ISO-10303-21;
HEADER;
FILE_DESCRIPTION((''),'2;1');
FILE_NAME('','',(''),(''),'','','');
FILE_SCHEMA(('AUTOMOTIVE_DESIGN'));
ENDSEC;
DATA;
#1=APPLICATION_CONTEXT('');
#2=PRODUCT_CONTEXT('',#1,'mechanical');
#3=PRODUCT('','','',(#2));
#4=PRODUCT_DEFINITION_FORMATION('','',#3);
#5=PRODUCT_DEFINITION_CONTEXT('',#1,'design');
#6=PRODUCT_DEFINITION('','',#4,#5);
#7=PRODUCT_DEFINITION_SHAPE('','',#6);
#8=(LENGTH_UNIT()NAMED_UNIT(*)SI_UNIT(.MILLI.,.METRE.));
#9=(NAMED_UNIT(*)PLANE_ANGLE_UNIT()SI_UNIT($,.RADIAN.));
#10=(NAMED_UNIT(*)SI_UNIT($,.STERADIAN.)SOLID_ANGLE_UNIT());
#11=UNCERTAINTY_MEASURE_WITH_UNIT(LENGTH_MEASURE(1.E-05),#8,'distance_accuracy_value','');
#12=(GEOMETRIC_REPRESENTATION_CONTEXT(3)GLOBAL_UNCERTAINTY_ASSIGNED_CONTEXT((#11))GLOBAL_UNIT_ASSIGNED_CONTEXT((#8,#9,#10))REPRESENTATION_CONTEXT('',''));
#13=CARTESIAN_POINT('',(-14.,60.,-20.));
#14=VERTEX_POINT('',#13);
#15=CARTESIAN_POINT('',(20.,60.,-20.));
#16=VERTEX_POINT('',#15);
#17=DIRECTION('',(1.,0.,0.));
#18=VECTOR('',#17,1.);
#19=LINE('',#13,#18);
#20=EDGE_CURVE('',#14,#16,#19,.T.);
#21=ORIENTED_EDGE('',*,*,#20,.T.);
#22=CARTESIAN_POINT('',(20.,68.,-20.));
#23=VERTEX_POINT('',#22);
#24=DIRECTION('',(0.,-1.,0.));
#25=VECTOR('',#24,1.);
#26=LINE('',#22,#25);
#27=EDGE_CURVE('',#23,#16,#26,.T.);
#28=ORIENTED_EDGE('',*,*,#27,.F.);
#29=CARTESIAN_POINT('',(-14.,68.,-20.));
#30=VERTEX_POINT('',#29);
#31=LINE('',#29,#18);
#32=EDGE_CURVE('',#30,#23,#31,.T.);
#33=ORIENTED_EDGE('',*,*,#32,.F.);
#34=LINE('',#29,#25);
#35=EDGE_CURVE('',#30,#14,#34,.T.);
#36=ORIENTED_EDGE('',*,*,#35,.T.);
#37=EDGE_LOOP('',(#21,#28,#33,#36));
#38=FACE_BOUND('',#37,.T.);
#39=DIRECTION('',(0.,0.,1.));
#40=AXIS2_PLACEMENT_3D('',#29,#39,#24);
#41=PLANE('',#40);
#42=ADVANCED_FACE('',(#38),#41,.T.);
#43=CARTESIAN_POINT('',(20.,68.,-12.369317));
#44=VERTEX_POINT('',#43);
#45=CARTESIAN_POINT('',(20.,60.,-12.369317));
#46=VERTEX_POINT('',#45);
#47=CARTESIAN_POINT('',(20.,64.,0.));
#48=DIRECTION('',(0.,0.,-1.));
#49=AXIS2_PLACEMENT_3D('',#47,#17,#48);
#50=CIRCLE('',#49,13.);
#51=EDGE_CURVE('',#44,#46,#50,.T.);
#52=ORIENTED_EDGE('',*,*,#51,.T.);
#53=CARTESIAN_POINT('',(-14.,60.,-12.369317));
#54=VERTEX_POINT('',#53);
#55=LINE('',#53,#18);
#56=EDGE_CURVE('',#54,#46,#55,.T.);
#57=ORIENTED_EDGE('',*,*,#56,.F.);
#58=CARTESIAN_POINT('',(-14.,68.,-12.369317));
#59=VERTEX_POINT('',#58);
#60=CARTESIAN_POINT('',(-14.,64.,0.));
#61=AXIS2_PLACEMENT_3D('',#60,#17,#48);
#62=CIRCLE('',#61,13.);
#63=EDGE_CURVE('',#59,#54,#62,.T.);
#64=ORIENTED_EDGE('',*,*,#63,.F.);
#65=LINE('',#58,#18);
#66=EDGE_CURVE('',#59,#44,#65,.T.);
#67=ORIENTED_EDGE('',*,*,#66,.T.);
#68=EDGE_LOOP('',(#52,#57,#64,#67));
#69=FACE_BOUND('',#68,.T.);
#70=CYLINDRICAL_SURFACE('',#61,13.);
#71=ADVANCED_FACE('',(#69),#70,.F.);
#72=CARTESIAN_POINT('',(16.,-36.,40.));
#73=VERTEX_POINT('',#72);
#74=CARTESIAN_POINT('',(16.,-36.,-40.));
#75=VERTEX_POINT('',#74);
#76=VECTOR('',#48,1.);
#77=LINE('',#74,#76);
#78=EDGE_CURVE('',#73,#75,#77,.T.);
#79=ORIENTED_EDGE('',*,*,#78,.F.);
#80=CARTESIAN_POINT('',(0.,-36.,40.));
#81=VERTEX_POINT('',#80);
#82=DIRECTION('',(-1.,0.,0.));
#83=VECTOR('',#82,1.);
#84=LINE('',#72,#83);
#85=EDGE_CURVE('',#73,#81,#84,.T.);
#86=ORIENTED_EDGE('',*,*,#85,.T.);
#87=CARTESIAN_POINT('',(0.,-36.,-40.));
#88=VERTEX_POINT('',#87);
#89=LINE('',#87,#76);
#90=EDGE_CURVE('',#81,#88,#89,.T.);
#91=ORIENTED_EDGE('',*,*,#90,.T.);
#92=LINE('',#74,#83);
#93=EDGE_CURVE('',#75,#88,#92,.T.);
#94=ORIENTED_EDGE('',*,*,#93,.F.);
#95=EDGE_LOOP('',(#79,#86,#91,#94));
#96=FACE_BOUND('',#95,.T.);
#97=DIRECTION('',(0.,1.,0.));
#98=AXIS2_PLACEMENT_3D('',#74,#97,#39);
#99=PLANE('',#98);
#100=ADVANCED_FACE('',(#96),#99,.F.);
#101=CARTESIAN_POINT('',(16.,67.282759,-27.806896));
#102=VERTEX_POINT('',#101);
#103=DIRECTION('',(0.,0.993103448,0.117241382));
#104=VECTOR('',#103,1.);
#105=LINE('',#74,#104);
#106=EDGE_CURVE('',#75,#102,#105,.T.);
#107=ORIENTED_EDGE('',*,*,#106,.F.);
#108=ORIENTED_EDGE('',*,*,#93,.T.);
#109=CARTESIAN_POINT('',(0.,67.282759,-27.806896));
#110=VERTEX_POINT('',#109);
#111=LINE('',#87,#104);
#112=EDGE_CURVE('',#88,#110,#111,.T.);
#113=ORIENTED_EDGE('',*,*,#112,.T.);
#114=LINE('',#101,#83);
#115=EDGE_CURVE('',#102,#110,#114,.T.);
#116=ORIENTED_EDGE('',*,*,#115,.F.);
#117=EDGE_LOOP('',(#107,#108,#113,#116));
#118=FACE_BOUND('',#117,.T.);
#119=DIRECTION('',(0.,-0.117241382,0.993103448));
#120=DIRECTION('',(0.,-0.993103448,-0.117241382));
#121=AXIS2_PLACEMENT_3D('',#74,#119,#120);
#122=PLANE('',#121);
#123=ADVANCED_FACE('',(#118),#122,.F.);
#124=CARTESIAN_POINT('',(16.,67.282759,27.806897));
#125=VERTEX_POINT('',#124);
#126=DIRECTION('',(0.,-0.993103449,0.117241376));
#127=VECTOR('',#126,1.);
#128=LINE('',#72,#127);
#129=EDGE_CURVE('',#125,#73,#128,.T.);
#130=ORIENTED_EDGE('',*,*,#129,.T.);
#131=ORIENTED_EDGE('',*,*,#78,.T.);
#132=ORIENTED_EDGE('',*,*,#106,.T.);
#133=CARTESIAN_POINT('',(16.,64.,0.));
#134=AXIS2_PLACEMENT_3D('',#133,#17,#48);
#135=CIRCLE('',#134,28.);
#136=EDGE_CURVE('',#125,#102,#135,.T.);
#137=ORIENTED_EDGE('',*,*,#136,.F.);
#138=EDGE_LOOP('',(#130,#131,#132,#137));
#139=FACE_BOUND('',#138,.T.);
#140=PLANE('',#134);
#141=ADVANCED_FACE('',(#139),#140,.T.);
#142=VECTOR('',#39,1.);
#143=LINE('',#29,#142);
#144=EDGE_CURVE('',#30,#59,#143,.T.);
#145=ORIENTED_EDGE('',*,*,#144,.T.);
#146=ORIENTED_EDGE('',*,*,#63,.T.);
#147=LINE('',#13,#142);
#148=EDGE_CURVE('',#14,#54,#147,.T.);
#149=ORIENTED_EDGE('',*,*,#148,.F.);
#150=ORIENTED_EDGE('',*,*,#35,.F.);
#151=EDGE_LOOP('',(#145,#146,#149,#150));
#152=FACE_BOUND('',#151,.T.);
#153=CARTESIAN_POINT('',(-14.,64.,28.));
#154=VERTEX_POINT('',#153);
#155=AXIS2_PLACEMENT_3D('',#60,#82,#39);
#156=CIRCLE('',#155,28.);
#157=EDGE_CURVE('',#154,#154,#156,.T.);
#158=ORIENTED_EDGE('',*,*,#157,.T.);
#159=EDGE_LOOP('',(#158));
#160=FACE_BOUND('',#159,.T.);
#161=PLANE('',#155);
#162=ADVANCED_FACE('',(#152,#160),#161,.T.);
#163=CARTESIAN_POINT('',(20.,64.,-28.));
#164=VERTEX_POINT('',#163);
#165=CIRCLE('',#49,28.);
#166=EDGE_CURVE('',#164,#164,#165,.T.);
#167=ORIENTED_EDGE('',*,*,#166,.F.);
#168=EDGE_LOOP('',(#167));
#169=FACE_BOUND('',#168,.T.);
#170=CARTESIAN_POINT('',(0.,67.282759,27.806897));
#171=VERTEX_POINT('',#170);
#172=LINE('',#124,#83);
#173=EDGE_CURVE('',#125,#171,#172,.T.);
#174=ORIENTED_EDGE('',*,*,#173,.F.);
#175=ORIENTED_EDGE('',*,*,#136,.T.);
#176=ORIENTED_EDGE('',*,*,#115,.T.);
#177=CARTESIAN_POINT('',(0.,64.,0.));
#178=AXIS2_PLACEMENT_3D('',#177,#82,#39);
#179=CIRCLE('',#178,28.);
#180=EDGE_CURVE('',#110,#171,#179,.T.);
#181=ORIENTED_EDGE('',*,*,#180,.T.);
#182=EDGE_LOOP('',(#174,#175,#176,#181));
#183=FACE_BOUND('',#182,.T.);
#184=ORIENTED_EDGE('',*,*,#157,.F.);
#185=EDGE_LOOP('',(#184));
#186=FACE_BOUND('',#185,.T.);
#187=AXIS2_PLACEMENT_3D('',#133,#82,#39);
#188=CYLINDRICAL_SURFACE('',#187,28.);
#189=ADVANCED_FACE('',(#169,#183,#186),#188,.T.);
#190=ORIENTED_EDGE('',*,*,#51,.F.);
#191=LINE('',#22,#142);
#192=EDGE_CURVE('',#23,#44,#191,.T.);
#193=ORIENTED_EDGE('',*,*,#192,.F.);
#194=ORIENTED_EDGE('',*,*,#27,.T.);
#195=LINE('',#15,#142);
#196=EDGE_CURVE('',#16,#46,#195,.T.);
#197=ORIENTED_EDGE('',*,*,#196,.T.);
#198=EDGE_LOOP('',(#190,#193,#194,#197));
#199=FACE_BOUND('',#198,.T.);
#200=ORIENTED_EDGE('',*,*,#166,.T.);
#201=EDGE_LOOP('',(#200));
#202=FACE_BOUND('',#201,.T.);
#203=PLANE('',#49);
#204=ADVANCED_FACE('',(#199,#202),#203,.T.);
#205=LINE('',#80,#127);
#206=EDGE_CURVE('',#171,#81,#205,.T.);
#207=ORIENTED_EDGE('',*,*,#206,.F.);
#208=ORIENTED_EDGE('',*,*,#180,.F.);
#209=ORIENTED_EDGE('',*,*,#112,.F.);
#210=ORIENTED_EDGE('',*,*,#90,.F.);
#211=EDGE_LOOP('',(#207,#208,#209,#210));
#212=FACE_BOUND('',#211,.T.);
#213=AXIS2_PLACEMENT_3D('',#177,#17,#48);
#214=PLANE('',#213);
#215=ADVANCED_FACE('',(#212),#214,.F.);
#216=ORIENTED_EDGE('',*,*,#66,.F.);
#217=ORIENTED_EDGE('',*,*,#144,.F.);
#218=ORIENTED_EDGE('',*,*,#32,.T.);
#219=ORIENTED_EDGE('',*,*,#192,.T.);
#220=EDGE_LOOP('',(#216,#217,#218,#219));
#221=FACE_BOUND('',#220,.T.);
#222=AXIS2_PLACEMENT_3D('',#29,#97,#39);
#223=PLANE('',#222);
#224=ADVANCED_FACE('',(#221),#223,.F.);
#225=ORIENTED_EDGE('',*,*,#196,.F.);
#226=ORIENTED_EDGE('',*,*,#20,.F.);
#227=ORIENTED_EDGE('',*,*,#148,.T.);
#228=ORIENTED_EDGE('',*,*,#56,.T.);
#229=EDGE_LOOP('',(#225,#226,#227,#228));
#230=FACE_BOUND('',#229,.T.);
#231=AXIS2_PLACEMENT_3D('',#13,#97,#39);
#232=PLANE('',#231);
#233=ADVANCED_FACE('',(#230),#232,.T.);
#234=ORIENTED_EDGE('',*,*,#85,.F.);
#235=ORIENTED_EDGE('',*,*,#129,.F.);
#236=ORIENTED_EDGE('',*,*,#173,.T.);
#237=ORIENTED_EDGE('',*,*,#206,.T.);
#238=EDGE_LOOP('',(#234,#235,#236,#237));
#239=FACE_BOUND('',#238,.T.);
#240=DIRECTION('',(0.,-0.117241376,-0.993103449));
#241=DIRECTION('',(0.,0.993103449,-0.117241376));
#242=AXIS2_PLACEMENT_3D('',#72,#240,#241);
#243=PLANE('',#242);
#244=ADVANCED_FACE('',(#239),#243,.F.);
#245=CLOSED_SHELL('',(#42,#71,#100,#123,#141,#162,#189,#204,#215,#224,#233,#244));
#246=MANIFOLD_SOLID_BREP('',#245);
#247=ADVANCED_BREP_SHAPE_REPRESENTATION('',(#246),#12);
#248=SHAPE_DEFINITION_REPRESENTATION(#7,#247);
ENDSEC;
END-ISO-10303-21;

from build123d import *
from build123d.topology import SkipClean

# Parameters (mm, degrees)
SALIENTE_EXTRUIR3_DEPTH = 16
CROQUIS6_R              = 28
SALIENTE_EXTRUIR4_DEPTH = 4
SALIENTE_EXTRUIR5_START = 14
CROQUIS7_R              = 28
SALIENTE_EXTRUIR5_DEPTH = 14
CORTAR_EXTRUIR1_DEPTH   = 106.924501415


with BuildPart() as part:
    # Croquis5 → Saliente-Extruir3 (new body)
    with BuildSketch(Plane(origin=(0, 0, 0), x_dir=(0, 0, -1), z_dir=(1, 0, 0))):
        with BuildLine():
            Line((40, -36), (27.806896216, 67.282758707))
            ThreePointArc((27.806896216, 67.282758707), (-4.12e-07, 92), (-27.806896887, 67.282758534))
            Line((-27.806896887, 67.282758534), (-40, -36))
            Line((-40, -36), (40, -36))
        make_face()
    extrude(amount=SALIENTE_EXTRUIR3_DEPTH)

    # Croquis6 → Saliente-Extruir4 (add)
    with BuildSketch(Plane(origin=(16, 0, 0), x_dir=(0, 0, -1), z_dir=(1, 0, 0))):
        with Locations(Location((-3.25e-07, 64, 0), (0, 0, 173.267078851))):
            Circle(CROQUIS6_R)
    extrude(amount=SALIENTE_EXTRUIR4_DEPTH)

    # Croquis7 → Saliente-Extruir5 (add)
    with SkipClean():  # the faces are left unmerged after this step: merging them gives an invalid solid
        with BuildSketch(Plane.ZY.offset(SALIENTE_EXTRUIR5_START)):
            with Locations((3.25e-07, 64)):
                Circle(CROQUIS7_R)
        extrude(amount=-SALIENTE_EXTRUIR5_DEPTH)

    # Croquis8 → Cortar-Extruir1 (cut, through all)
    with SkipClean():  # the faces are left unmerged after this step: merging them gives an invalid solid
        with BuildSketch(Plane(origin=(20, 0, 0), x_dir=(0, 0, -1), z_dir=(1, 0, 0))):
            with BuildLine():
                Line((19.999999675, 68), (19.999999675, 60))
                Line((19.999999675, 60), (12.369316552, 60))
                ThreePointArc((12.369316552, 60), (-13.000000325, 64), (12.369316552, 68))
                Line((12.369316552, 68), (19.999999675, 68))
            make_face()
        extrude(amount=-CORTAR_EXTRUIR1_DEPTH, mode=Mode.SUBTRACT)


solid = part.part
